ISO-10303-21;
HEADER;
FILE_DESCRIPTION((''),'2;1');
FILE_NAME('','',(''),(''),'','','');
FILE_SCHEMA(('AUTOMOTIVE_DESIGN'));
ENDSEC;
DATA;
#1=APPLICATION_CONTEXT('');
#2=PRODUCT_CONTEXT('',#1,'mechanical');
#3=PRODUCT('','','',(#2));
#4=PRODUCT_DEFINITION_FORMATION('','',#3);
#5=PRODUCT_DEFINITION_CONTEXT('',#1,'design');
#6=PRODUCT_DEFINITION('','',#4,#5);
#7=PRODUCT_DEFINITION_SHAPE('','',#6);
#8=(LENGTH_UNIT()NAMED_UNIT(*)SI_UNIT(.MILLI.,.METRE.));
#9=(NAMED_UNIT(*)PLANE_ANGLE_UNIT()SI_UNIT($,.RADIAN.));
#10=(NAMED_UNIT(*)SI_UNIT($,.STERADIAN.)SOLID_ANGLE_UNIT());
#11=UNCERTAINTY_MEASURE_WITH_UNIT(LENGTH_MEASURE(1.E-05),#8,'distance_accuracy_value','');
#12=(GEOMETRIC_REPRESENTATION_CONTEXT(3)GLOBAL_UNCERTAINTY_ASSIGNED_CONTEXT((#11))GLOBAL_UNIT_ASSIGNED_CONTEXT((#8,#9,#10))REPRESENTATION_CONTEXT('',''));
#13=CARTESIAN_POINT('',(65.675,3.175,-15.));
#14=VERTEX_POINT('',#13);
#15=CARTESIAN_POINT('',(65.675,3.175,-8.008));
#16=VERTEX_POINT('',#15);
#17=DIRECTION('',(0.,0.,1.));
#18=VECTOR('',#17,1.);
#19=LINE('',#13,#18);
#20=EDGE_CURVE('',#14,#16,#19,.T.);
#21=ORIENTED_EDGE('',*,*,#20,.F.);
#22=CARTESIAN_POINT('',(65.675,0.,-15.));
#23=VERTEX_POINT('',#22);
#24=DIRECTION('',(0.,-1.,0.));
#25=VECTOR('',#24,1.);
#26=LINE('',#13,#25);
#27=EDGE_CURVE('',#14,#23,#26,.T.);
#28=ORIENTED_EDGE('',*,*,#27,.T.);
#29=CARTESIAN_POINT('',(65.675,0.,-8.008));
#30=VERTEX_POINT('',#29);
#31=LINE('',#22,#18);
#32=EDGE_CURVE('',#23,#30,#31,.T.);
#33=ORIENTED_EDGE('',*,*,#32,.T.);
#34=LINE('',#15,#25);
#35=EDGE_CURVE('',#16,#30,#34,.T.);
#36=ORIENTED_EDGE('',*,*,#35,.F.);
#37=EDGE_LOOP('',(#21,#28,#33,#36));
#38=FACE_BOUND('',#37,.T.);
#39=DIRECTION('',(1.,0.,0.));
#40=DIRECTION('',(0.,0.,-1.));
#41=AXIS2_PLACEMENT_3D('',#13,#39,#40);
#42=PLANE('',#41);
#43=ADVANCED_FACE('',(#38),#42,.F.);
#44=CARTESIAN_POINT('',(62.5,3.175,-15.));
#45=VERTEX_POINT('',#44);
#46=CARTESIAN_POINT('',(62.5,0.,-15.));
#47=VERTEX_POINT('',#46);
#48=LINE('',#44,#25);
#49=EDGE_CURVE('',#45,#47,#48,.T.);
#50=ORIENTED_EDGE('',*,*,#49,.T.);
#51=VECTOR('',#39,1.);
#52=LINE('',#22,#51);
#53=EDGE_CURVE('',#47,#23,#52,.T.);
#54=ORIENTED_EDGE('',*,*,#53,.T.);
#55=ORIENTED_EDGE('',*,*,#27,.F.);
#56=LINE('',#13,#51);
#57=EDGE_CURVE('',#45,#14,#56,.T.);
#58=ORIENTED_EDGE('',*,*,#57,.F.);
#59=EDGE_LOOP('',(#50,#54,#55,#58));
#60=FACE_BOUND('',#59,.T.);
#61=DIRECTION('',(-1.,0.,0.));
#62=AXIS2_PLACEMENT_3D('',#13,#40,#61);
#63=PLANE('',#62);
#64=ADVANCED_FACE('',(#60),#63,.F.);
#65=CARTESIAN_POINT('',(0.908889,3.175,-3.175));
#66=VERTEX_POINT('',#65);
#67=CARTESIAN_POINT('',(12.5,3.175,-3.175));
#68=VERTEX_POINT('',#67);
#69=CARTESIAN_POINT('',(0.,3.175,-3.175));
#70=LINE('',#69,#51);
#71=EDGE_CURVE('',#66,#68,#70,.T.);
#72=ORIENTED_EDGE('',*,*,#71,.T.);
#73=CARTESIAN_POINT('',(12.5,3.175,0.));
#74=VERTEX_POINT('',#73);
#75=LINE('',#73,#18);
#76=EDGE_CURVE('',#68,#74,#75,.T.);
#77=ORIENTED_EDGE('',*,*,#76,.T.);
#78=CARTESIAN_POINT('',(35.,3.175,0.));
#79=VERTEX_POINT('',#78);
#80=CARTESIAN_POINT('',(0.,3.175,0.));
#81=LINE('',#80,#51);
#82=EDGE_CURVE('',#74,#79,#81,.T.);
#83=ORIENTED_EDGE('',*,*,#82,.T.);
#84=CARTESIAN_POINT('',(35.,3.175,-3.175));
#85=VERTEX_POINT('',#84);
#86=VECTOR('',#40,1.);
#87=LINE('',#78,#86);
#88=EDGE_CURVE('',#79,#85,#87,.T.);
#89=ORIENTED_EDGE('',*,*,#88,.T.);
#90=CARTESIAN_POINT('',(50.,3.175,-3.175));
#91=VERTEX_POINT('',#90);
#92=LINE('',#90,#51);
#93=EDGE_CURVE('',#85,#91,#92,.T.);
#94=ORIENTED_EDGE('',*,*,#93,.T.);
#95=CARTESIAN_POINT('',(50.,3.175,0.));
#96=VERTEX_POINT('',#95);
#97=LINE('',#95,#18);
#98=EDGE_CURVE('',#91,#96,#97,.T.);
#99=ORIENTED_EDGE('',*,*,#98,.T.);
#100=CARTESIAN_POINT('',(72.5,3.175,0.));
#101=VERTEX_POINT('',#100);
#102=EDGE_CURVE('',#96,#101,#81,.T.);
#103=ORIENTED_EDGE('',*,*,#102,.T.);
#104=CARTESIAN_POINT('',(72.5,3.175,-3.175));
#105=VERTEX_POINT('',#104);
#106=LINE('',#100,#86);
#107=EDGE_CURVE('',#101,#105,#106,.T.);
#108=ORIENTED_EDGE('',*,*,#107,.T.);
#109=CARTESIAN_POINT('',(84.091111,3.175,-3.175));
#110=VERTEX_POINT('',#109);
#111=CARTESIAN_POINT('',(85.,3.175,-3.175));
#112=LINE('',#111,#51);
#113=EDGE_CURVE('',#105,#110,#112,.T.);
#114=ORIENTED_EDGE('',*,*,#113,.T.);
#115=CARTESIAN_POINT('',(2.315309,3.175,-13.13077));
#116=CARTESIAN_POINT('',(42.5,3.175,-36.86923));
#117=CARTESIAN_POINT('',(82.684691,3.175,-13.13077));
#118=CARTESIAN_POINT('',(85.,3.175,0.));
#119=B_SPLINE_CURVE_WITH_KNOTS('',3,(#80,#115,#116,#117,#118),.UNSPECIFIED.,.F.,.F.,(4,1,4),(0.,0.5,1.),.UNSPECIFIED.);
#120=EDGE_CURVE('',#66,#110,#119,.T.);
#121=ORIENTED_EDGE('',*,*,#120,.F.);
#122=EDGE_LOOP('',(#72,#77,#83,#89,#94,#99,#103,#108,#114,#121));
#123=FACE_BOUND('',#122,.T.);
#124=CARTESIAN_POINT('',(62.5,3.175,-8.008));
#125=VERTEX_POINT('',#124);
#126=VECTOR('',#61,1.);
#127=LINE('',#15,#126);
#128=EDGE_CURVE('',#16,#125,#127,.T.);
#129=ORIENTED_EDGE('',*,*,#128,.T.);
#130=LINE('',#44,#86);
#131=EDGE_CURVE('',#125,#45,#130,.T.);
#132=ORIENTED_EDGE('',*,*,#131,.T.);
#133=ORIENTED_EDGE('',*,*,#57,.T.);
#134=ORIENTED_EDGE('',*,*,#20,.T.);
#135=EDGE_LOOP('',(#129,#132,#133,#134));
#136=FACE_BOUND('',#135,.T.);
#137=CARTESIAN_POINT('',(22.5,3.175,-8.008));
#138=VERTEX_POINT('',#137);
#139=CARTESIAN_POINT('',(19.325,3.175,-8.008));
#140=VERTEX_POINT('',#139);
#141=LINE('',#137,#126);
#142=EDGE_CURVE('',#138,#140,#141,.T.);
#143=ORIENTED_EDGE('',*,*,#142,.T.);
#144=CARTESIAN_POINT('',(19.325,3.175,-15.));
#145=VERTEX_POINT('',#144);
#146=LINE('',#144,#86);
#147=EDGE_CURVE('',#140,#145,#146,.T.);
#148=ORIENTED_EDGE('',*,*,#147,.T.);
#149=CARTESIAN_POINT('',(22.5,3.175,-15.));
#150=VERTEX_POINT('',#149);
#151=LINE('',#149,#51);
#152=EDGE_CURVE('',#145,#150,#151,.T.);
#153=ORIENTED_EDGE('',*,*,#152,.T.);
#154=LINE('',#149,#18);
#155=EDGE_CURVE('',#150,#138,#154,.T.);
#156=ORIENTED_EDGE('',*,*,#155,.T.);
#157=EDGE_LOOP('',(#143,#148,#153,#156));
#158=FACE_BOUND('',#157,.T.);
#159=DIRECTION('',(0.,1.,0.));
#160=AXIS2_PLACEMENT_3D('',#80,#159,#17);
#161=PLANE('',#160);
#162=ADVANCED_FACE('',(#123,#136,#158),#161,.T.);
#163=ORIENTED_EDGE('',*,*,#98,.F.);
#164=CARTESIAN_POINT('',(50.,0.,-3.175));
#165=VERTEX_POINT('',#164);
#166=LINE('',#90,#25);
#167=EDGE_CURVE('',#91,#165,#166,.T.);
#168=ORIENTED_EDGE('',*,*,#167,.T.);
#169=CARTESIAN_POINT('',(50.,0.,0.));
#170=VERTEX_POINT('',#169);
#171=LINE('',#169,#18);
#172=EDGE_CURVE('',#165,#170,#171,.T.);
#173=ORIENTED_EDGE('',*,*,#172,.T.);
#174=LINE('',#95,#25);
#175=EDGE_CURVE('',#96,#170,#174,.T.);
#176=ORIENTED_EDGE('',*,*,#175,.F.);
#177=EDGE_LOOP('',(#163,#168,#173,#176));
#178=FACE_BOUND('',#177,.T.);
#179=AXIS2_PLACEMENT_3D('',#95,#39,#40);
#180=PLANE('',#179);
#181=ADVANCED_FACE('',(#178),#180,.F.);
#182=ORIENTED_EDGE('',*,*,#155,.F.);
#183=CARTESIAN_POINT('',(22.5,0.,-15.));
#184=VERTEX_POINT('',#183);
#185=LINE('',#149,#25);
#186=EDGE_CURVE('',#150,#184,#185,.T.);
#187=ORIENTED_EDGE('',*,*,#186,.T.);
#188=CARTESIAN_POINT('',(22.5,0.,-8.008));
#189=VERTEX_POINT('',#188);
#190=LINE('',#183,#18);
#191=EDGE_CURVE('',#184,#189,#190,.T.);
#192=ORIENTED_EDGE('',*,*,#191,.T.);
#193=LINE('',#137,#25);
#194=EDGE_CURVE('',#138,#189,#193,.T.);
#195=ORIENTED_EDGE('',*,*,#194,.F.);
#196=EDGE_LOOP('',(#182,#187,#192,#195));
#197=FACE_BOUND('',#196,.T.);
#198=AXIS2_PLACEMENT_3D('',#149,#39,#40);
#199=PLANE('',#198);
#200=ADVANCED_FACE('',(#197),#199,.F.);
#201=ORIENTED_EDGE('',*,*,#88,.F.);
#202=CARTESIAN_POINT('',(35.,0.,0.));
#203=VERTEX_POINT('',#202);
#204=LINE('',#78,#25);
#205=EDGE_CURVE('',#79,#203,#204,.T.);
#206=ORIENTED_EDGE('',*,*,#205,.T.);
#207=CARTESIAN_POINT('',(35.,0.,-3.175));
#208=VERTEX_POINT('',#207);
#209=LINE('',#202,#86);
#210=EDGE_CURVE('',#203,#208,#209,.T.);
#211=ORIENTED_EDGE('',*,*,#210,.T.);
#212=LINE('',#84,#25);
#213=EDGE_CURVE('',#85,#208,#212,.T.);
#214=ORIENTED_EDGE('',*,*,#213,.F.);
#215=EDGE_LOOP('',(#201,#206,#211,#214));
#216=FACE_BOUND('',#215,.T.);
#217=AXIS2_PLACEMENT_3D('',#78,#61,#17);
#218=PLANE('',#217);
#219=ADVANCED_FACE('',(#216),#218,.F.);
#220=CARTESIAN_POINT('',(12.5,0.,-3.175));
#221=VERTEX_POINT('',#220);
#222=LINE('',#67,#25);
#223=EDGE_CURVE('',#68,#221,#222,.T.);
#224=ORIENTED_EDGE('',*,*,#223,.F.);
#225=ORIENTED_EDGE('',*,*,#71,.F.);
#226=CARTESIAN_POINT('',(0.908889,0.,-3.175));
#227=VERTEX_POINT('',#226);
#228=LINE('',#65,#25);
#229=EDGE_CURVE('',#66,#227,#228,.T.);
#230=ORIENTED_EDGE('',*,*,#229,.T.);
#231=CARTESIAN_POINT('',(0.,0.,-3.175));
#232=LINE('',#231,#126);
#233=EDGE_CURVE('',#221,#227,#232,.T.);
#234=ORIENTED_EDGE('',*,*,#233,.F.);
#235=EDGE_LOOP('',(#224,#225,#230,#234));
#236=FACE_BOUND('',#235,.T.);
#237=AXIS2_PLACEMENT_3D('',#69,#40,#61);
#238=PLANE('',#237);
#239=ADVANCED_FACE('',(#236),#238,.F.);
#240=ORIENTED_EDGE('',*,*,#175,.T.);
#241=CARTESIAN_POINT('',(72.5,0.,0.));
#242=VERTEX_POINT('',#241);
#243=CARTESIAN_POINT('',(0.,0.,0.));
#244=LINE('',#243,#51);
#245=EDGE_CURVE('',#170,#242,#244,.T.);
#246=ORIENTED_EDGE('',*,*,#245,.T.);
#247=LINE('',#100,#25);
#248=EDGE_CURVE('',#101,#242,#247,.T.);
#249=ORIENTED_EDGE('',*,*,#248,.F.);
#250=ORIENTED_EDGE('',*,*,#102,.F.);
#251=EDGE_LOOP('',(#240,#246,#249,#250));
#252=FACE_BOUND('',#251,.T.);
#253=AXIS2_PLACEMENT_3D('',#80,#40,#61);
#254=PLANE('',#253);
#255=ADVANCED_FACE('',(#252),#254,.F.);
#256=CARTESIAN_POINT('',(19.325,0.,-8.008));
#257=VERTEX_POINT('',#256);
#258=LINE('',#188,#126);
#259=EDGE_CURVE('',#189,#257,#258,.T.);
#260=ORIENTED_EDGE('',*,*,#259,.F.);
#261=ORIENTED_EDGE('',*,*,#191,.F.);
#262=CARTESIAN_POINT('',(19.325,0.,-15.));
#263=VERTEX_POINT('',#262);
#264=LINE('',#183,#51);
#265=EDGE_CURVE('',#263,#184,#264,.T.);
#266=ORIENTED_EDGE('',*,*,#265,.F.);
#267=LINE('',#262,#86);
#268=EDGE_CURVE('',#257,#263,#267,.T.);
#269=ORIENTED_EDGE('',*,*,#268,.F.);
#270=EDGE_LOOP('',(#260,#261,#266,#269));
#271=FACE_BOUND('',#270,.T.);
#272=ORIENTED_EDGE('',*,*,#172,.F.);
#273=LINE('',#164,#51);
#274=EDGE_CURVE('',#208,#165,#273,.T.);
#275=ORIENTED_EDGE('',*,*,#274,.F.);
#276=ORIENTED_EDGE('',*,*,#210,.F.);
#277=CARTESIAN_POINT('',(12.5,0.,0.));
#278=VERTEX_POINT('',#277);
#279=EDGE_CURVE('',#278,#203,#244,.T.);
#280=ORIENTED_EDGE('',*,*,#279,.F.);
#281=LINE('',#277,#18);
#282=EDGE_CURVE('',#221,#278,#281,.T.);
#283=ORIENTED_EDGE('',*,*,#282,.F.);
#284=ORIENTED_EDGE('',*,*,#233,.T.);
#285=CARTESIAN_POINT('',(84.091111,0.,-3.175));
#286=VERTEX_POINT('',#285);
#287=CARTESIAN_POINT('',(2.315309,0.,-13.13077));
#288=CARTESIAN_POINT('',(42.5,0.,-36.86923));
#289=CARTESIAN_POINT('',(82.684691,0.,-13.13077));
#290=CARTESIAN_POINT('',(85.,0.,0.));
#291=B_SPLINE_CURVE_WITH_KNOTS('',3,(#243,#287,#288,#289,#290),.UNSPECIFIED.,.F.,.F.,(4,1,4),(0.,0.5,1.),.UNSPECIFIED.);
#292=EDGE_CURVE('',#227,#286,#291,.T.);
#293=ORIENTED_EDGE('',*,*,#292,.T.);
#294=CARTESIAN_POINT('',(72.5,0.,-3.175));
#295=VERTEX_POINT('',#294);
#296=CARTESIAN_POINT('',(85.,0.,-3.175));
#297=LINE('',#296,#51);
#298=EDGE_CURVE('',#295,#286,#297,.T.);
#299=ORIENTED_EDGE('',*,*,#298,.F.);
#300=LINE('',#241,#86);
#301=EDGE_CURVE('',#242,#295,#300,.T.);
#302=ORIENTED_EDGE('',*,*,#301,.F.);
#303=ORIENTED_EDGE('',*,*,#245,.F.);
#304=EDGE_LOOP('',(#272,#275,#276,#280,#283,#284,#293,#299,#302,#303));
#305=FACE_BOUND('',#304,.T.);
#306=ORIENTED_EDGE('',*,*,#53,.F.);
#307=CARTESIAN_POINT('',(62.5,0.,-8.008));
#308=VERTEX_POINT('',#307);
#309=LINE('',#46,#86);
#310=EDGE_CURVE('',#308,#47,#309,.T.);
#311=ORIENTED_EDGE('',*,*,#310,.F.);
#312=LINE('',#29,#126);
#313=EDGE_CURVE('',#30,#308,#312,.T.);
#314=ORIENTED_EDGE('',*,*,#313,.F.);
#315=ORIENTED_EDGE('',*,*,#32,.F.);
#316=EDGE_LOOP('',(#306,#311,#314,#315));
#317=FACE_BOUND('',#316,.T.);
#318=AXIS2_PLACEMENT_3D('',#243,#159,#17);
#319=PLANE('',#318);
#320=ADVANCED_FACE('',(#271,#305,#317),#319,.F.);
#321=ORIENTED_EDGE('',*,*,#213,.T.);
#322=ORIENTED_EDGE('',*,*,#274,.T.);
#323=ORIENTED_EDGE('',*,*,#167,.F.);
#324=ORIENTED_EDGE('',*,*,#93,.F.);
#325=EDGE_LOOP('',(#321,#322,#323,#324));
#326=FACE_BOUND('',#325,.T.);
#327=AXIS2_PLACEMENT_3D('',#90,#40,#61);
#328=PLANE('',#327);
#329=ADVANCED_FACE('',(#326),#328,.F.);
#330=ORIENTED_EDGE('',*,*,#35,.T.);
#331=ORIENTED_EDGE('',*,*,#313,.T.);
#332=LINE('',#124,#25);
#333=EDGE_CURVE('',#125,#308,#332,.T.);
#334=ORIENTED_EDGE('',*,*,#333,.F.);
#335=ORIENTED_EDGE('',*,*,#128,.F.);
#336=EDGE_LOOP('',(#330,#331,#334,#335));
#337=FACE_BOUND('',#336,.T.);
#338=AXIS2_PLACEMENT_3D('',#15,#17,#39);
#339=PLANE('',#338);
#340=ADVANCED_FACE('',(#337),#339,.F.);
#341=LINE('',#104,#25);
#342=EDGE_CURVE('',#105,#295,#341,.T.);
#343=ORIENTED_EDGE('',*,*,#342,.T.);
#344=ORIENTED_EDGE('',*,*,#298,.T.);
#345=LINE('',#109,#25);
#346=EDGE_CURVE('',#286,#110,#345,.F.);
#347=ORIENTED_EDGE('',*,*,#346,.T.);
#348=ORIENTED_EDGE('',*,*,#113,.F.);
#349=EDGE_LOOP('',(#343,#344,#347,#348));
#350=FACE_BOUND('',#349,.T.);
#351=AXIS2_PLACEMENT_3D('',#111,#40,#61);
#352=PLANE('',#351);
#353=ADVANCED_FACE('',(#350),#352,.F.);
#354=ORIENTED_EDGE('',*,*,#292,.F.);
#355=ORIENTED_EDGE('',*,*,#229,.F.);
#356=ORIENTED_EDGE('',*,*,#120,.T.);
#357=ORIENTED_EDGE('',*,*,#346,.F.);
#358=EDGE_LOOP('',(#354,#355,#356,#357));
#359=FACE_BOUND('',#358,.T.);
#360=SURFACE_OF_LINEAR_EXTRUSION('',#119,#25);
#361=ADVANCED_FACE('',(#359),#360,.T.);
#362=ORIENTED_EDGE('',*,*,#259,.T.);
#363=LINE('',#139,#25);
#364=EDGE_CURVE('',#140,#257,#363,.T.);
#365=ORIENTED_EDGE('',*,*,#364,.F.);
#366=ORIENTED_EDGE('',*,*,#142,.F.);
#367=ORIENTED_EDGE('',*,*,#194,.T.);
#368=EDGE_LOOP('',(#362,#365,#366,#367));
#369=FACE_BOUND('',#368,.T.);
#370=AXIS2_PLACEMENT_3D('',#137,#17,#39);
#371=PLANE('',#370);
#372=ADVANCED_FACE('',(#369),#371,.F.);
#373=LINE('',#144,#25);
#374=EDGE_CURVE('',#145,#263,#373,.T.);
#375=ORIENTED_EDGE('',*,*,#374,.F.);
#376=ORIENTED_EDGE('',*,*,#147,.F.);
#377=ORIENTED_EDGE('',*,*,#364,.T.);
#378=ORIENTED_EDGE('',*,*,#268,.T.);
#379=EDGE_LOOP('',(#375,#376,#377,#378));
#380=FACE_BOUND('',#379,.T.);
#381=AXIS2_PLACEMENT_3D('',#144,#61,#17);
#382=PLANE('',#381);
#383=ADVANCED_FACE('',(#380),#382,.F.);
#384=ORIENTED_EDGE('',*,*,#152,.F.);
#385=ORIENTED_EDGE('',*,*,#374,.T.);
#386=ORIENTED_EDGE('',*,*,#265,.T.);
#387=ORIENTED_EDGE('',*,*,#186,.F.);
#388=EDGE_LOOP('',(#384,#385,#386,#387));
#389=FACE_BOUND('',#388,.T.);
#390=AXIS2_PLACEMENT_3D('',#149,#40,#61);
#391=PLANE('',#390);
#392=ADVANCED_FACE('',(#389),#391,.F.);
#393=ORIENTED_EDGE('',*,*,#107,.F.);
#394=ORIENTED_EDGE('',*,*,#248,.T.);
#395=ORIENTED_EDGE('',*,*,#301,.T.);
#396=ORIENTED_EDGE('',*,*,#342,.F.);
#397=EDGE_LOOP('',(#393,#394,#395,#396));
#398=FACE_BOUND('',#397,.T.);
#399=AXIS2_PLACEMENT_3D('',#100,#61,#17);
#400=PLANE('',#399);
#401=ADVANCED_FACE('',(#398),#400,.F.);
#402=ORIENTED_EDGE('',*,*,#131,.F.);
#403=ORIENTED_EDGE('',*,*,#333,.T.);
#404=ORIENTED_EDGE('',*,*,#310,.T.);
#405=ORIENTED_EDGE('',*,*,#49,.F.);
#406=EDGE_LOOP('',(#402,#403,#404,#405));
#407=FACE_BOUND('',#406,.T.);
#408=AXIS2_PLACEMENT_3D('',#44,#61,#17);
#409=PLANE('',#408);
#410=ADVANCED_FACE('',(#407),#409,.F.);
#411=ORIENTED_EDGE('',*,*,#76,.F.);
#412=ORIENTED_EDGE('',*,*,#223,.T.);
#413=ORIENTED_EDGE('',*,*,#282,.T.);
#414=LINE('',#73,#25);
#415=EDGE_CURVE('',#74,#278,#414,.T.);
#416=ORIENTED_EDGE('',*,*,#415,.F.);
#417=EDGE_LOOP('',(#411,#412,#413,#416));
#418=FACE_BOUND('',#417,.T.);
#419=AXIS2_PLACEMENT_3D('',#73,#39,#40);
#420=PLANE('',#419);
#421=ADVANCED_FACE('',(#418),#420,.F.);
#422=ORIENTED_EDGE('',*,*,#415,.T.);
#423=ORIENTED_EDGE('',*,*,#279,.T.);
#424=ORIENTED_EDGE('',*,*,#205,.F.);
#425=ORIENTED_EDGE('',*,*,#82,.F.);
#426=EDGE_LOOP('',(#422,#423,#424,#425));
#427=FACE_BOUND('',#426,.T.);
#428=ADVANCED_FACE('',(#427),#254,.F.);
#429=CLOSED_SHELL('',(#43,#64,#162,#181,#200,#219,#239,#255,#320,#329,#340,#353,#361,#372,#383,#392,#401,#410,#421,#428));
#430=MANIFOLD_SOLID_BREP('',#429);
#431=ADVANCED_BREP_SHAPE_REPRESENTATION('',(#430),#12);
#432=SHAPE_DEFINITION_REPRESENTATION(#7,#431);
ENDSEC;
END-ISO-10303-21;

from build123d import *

# Parameters (mm, degrees)
BOSS_EXTRUDE1_DEPTH = 3.175
SKETCH2_W           = 3.175
SKETCH2_H           = 6.992
SKETCH2_W_2         = 12.5
SKETCH2_H_2         = 3.175
SKETCH2_W_3         = 15
CUT_EXTRUDE1_DEPTH  = 4.1750001


with BuildPart() as part:
    # Sketch1 → Boss-Extrude1 (new body)
    with BuildSketch(Plane(origin=(0, 0, 0), x_dir=(1, 0, 0), z_dir=(0, 1, 0))):
        with BuildLine():
            add(Edge.make_bspline(
                [(0, 0), (2.315309036, 13.13077004), (22.407654518, 25), (42.5, 25)],
                knots=[0, 0, 0, 0, 0.5, 0.5, 0.5, 0.5], degree=3))
            Line((0, 0), (42.5, 0))
            Line((42.5, 0), (42.5, 25))
        make_face()
        with BuildLine():
            Line((42.5, 25), (42.5, 0))
            Line((42.5, 0), (85, 0))
            add(Edge.make_bspline(
                [(42.5, 25), (62.592345482, 25), (82.684690964, 13.13077004), (85, 0)],
                knots=[0.5, 0.5, 0.5, 0.5, 1, 1, 1, 1], degree=3))
        make_face()
    extrude(amount=BOSS_EXTRUDE1_DEPTH)

    # Sketch2 → Cut-Extrude1 (cut, through all)
    with BuildSketch(Plane.XZ):
        with Locations((64.0875, -11.504)):
            Rectangle(SKETCH2_W, SKETCH2_H)
        with Locations((20.9125, -11.504)):
            Rectangle(SKETCH2_W, SKETCH2_H)
        with Locations((78.75, -1.5875)):
            Rectangle(SKETCH2_W_2, SKETCH2_H_2)
        with Locations((6.25, -1.5875)):
            Rectangle(SKETCH2_W_2, SKETCH2_H_2)
        with Locations((42.5, -1.5875)):
            Rectangle(SKETCH2_W_3, SKETCH2_H_2)
    extrude(amount=-CUT_EXTRUDE1_DEPTH, mode=Mode.SUBTRACT)


solid = part.part
